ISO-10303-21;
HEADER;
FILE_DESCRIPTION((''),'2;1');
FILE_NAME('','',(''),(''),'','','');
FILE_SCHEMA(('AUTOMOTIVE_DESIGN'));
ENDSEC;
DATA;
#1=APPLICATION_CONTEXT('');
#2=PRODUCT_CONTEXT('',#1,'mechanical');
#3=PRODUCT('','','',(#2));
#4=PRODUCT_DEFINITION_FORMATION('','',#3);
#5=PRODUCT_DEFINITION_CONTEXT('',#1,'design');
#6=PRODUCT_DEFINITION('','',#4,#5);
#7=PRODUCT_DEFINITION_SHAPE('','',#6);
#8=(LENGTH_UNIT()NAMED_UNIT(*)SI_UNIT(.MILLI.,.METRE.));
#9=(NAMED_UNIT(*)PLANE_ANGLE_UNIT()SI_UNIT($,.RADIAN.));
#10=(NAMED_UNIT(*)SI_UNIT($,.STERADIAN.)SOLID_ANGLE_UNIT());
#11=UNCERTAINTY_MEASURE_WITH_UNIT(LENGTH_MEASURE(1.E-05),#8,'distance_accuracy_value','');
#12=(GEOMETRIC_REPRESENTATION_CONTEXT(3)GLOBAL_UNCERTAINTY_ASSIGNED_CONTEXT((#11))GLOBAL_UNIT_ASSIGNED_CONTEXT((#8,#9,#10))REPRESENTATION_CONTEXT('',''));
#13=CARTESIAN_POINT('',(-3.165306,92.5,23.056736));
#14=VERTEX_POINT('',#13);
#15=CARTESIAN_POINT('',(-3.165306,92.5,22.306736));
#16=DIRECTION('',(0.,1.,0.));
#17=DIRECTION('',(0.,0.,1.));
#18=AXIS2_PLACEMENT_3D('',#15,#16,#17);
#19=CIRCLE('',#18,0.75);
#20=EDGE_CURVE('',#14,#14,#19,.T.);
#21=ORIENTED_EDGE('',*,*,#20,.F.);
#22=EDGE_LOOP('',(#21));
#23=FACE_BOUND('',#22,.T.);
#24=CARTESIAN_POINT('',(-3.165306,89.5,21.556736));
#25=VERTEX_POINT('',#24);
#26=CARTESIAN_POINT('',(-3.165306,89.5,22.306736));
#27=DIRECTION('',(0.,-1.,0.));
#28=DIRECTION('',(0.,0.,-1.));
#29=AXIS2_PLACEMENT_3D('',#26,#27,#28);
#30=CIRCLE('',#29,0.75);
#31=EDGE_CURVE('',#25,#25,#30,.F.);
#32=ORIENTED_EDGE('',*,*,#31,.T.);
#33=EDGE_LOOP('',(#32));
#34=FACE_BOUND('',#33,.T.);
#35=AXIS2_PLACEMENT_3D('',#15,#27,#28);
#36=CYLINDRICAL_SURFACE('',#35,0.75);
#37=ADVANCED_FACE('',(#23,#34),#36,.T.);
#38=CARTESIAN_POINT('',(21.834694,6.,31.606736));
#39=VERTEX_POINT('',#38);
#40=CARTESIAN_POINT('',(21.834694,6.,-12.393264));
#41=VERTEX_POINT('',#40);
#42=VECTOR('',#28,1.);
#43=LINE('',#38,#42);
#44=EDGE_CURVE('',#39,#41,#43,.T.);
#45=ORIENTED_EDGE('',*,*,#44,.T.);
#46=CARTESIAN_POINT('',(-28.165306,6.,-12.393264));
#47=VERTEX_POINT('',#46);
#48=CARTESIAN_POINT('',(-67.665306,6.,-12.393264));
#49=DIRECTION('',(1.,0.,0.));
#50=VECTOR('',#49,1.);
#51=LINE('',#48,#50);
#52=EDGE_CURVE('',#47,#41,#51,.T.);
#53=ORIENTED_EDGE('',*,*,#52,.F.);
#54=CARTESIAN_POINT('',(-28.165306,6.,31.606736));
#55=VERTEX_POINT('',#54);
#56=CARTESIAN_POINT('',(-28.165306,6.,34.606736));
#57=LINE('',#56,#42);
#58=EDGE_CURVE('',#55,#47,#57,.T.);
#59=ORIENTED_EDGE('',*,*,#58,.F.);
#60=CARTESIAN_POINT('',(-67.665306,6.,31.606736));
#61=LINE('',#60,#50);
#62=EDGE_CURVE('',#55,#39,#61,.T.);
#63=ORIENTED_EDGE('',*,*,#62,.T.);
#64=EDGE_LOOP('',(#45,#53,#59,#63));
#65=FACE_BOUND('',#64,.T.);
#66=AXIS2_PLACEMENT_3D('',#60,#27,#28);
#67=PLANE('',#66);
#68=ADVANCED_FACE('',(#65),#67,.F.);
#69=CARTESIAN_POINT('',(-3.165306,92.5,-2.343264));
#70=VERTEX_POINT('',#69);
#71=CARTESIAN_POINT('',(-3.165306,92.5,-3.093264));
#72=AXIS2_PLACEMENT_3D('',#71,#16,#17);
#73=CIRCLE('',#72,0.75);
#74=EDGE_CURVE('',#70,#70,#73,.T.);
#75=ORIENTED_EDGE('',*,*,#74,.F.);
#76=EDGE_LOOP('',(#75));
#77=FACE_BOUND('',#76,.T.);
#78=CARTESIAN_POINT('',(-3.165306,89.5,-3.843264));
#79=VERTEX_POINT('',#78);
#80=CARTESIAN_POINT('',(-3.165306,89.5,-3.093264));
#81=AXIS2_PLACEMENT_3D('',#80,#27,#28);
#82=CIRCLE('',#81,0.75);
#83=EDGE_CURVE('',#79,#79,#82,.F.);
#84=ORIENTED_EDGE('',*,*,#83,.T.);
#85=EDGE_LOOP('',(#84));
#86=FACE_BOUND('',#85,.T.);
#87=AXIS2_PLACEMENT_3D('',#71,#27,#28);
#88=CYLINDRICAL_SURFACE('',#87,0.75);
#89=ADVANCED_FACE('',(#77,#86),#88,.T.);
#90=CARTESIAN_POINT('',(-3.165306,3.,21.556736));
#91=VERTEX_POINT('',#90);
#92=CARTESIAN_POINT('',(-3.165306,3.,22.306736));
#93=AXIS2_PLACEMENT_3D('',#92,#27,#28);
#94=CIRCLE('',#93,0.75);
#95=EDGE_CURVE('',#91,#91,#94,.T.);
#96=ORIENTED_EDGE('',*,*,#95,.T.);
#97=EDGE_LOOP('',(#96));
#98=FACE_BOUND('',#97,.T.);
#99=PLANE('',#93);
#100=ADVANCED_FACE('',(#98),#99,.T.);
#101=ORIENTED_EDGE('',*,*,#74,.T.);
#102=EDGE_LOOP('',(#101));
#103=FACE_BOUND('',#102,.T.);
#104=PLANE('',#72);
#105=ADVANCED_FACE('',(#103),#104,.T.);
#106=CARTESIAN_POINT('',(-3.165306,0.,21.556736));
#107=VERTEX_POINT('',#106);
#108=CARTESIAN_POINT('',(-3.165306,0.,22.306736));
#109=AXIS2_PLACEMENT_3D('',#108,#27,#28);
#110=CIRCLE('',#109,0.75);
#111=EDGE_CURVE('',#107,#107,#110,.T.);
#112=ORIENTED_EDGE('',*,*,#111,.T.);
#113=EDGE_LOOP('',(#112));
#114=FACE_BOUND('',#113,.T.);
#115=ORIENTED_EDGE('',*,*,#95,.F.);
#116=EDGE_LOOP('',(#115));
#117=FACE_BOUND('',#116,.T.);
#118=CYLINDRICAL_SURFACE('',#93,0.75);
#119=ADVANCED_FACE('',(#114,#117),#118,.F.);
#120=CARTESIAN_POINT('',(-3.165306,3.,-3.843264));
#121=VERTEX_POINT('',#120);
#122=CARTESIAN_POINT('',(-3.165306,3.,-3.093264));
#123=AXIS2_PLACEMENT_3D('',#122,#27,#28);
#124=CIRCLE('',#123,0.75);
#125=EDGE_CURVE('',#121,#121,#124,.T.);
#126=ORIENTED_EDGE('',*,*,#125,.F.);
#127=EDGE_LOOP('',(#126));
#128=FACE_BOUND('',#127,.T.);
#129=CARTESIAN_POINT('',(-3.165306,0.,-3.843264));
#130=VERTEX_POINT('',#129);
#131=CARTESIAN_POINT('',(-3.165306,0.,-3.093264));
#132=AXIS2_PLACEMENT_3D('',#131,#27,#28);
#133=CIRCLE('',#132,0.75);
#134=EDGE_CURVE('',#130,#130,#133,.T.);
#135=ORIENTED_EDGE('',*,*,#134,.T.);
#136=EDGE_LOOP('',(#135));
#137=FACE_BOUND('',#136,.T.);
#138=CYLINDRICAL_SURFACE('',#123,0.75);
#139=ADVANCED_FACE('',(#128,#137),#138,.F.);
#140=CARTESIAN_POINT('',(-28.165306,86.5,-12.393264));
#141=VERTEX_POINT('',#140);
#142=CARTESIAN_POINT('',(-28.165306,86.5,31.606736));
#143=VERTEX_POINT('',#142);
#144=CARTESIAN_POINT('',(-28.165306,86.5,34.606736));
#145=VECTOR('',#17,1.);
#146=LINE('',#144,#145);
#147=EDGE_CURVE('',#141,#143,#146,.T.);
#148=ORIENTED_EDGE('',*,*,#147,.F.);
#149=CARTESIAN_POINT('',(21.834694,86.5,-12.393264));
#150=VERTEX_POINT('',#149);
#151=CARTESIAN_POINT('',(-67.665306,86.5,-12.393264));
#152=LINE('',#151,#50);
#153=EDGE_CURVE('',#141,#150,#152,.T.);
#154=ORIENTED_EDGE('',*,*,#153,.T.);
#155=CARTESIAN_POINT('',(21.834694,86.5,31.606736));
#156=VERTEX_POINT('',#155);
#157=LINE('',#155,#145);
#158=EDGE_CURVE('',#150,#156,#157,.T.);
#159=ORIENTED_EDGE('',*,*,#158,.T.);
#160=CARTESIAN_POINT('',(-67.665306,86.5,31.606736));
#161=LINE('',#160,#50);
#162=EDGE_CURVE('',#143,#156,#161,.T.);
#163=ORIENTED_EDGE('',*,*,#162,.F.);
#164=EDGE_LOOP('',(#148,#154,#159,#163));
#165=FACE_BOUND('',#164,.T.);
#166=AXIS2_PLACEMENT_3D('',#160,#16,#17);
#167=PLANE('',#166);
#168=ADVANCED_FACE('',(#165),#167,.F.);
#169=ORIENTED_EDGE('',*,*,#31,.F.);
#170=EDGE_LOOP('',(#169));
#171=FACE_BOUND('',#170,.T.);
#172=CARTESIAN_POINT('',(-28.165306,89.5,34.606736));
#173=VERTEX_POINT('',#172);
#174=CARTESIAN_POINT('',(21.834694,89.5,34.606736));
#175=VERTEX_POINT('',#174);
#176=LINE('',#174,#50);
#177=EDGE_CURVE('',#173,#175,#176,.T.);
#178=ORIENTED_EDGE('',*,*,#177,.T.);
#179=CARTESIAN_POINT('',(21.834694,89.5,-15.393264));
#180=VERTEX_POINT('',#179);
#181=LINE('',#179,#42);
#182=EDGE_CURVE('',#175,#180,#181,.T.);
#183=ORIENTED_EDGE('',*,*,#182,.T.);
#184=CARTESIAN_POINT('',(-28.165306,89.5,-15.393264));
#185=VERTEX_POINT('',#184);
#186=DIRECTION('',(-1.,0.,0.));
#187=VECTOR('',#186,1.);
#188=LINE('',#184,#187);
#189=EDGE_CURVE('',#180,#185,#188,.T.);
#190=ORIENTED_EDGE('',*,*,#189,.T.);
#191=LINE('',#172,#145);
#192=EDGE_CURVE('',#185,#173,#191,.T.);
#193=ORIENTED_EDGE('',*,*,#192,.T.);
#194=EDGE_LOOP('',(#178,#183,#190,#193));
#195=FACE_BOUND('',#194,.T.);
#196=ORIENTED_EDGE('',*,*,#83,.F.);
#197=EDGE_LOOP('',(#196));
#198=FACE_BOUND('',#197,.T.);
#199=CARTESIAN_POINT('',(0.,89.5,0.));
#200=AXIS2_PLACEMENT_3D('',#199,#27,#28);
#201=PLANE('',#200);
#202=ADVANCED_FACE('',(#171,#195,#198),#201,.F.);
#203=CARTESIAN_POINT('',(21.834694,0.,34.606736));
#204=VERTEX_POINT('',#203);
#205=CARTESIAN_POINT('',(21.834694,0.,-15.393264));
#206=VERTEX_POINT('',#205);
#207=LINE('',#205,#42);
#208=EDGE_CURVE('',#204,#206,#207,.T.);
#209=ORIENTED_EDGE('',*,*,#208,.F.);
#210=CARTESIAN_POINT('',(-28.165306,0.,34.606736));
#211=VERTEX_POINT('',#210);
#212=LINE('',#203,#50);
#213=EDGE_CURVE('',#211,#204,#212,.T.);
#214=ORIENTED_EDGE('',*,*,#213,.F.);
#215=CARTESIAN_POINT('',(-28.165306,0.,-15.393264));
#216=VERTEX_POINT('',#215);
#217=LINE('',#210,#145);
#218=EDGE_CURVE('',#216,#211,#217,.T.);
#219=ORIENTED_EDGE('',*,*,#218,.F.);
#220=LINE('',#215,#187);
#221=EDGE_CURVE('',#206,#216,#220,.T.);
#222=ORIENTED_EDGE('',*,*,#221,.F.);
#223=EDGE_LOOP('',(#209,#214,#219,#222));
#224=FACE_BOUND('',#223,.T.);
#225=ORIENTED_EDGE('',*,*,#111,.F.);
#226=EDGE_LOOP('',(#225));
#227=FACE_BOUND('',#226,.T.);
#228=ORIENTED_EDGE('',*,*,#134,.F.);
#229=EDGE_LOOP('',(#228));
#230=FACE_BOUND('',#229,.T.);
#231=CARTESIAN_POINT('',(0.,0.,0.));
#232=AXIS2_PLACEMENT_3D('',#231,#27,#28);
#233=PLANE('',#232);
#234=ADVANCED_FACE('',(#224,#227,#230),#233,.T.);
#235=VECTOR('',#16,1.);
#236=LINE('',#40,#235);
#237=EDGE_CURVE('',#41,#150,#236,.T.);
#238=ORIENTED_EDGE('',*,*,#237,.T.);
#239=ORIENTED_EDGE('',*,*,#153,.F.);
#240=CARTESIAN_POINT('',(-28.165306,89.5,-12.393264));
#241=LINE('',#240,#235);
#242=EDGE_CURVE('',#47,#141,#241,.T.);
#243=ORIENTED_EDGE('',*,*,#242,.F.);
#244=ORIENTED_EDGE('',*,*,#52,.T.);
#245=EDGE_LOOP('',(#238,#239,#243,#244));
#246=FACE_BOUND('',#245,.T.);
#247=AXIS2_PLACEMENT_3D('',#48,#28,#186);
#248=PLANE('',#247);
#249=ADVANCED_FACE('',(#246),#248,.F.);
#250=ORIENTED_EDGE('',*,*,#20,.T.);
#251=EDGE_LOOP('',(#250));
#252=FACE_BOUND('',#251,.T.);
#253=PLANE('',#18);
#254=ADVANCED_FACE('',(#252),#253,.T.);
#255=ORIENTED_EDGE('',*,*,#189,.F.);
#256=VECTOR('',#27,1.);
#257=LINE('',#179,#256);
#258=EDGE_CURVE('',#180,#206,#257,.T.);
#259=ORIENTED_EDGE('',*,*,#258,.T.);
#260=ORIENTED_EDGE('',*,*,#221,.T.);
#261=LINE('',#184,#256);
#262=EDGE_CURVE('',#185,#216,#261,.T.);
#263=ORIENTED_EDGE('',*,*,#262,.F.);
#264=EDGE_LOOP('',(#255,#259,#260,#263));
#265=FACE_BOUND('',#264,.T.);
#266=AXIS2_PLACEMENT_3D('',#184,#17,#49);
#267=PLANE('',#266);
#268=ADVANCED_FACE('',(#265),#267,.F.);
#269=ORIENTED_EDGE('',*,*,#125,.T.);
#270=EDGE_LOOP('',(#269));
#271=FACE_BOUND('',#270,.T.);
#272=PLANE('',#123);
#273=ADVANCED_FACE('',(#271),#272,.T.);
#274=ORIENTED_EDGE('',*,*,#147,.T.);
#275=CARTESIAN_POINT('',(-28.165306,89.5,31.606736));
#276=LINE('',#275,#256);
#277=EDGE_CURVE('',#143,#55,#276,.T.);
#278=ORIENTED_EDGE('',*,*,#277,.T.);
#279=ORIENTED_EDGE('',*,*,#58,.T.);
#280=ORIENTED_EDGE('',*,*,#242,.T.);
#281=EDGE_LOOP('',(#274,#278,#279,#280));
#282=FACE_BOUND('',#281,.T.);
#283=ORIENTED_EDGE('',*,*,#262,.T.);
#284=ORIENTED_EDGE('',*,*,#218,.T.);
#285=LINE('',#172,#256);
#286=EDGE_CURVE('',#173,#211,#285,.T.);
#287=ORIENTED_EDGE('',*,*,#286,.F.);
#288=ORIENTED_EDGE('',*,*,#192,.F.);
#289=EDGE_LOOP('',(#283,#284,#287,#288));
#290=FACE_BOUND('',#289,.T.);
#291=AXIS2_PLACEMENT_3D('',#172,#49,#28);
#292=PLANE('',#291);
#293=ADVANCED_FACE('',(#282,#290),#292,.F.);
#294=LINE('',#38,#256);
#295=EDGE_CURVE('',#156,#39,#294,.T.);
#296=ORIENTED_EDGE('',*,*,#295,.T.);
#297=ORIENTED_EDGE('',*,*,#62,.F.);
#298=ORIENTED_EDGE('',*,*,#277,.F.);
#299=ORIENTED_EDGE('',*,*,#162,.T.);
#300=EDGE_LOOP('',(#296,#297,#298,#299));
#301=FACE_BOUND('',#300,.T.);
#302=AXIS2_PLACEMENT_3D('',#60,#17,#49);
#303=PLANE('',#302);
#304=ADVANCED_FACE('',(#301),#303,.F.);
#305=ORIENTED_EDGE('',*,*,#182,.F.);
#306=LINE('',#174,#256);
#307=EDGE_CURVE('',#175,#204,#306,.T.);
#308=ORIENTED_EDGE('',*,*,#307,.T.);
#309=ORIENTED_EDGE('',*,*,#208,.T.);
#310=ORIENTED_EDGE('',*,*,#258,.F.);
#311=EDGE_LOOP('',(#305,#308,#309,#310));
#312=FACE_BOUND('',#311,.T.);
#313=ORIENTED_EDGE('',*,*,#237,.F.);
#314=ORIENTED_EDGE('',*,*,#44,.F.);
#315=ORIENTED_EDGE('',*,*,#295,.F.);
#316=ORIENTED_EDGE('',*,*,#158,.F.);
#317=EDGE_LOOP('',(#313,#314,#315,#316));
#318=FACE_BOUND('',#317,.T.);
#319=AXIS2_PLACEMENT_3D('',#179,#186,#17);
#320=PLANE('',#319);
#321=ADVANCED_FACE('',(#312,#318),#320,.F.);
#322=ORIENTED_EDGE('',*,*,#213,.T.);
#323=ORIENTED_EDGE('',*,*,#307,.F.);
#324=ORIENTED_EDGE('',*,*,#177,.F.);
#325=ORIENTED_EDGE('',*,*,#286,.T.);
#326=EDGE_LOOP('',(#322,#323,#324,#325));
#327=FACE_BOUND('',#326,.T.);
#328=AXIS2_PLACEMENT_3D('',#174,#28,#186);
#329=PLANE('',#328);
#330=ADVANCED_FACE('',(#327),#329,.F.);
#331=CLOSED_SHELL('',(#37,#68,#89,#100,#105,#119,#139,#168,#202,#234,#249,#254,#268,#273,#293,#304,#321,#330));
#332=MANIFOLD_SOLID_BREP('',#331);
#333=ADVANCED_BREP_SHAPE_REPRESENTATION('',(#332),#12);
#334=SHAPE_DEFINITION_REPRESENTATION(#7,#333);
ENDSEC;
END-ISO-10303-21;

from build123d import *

# Parameters (mm, degrees)
SKETCH1_W           = 50
SKETCH1_H           = 50
BOSS_EXTRUDE2_DEPTH = 89.5
SKETCH4_W           = 44
SKETCH4_H           = 80.5
CUT_EXTRUDE1_DEPTH  = 89.5
SKETCH5_R           = 0.75
CUT_EXTRUDE2_DEPTH  = 3
SKETCH6_R           = 0.75
BOSS_EXTRUDE4_DEPTH = 3


with BuildPart() as part:
    # Sketch1 → Boss-Extrude2 (new body)
    with BuildSketch(Plane(origin=(0, 0, 0), x_dir=(1, 0, 0), z_dir=(0, 1, 0))):
        with Locations((-3.165306342, -9.606735536)):
            Rectangle(SKETCH1_W, SKETCH1_H)
    extrude(amount=BOSS_EXTRUDE2_DEPTH)

    # Sketch4 → Cut-Extrude1 (cut)
    with BuildSketch(Plane(origin=(21.834693658, 0, 0), x_dir=(0, 0, -1), z_dir=(1, 0, 0))):
        with Locations((-9.606735536, 46.25)):
            Rectangle(SKETCH4_W, SKETCH4_H)
    extrude(amount=-CUT_EXTRUDE1_DEPTH, mode=Mode.SUBTRACT)

    # Sketch5 → Cut-Extrude2 (cut)
    with BuildSketch(Plane(origin=(0, 0, 0), x_dir=(-1, 0, 0), z_dir=(0, -1, 0))):
        with Locations(Location((3.165306342, -22.306735536, 0), (0, 0, 90))):
            Circle(SKETCH5_R)
        with Locations(Location((3.165306342, 3.093264464, 0), (0, 0, 90))):
            Circle(SKETCH5_R)
    extrude(amount=-CUT_EXTRUDE2_DEPTH, mode=Mode.SUBTRACT)

    # Sketch6 → Boss-Extrude4 (add)
    with BuildSketch(Plane(origin=(0, 89.5, 0), x_dir=(1, 0, 0), z_dir=(0, 1, 0))):
        with Locations(Location((-3.165306342, 3.093264464, 0), (0, 0, 90))):
            Circle(SKETCH6_R)
        with Locations(Location((-3.165306342, -22.306735536, 0), (0, 0, 90))):
            Circle(SKETCH6_R)
    extrude(amount=BOSS_EXTRUDE4_DEPTH)


solid = part.part
